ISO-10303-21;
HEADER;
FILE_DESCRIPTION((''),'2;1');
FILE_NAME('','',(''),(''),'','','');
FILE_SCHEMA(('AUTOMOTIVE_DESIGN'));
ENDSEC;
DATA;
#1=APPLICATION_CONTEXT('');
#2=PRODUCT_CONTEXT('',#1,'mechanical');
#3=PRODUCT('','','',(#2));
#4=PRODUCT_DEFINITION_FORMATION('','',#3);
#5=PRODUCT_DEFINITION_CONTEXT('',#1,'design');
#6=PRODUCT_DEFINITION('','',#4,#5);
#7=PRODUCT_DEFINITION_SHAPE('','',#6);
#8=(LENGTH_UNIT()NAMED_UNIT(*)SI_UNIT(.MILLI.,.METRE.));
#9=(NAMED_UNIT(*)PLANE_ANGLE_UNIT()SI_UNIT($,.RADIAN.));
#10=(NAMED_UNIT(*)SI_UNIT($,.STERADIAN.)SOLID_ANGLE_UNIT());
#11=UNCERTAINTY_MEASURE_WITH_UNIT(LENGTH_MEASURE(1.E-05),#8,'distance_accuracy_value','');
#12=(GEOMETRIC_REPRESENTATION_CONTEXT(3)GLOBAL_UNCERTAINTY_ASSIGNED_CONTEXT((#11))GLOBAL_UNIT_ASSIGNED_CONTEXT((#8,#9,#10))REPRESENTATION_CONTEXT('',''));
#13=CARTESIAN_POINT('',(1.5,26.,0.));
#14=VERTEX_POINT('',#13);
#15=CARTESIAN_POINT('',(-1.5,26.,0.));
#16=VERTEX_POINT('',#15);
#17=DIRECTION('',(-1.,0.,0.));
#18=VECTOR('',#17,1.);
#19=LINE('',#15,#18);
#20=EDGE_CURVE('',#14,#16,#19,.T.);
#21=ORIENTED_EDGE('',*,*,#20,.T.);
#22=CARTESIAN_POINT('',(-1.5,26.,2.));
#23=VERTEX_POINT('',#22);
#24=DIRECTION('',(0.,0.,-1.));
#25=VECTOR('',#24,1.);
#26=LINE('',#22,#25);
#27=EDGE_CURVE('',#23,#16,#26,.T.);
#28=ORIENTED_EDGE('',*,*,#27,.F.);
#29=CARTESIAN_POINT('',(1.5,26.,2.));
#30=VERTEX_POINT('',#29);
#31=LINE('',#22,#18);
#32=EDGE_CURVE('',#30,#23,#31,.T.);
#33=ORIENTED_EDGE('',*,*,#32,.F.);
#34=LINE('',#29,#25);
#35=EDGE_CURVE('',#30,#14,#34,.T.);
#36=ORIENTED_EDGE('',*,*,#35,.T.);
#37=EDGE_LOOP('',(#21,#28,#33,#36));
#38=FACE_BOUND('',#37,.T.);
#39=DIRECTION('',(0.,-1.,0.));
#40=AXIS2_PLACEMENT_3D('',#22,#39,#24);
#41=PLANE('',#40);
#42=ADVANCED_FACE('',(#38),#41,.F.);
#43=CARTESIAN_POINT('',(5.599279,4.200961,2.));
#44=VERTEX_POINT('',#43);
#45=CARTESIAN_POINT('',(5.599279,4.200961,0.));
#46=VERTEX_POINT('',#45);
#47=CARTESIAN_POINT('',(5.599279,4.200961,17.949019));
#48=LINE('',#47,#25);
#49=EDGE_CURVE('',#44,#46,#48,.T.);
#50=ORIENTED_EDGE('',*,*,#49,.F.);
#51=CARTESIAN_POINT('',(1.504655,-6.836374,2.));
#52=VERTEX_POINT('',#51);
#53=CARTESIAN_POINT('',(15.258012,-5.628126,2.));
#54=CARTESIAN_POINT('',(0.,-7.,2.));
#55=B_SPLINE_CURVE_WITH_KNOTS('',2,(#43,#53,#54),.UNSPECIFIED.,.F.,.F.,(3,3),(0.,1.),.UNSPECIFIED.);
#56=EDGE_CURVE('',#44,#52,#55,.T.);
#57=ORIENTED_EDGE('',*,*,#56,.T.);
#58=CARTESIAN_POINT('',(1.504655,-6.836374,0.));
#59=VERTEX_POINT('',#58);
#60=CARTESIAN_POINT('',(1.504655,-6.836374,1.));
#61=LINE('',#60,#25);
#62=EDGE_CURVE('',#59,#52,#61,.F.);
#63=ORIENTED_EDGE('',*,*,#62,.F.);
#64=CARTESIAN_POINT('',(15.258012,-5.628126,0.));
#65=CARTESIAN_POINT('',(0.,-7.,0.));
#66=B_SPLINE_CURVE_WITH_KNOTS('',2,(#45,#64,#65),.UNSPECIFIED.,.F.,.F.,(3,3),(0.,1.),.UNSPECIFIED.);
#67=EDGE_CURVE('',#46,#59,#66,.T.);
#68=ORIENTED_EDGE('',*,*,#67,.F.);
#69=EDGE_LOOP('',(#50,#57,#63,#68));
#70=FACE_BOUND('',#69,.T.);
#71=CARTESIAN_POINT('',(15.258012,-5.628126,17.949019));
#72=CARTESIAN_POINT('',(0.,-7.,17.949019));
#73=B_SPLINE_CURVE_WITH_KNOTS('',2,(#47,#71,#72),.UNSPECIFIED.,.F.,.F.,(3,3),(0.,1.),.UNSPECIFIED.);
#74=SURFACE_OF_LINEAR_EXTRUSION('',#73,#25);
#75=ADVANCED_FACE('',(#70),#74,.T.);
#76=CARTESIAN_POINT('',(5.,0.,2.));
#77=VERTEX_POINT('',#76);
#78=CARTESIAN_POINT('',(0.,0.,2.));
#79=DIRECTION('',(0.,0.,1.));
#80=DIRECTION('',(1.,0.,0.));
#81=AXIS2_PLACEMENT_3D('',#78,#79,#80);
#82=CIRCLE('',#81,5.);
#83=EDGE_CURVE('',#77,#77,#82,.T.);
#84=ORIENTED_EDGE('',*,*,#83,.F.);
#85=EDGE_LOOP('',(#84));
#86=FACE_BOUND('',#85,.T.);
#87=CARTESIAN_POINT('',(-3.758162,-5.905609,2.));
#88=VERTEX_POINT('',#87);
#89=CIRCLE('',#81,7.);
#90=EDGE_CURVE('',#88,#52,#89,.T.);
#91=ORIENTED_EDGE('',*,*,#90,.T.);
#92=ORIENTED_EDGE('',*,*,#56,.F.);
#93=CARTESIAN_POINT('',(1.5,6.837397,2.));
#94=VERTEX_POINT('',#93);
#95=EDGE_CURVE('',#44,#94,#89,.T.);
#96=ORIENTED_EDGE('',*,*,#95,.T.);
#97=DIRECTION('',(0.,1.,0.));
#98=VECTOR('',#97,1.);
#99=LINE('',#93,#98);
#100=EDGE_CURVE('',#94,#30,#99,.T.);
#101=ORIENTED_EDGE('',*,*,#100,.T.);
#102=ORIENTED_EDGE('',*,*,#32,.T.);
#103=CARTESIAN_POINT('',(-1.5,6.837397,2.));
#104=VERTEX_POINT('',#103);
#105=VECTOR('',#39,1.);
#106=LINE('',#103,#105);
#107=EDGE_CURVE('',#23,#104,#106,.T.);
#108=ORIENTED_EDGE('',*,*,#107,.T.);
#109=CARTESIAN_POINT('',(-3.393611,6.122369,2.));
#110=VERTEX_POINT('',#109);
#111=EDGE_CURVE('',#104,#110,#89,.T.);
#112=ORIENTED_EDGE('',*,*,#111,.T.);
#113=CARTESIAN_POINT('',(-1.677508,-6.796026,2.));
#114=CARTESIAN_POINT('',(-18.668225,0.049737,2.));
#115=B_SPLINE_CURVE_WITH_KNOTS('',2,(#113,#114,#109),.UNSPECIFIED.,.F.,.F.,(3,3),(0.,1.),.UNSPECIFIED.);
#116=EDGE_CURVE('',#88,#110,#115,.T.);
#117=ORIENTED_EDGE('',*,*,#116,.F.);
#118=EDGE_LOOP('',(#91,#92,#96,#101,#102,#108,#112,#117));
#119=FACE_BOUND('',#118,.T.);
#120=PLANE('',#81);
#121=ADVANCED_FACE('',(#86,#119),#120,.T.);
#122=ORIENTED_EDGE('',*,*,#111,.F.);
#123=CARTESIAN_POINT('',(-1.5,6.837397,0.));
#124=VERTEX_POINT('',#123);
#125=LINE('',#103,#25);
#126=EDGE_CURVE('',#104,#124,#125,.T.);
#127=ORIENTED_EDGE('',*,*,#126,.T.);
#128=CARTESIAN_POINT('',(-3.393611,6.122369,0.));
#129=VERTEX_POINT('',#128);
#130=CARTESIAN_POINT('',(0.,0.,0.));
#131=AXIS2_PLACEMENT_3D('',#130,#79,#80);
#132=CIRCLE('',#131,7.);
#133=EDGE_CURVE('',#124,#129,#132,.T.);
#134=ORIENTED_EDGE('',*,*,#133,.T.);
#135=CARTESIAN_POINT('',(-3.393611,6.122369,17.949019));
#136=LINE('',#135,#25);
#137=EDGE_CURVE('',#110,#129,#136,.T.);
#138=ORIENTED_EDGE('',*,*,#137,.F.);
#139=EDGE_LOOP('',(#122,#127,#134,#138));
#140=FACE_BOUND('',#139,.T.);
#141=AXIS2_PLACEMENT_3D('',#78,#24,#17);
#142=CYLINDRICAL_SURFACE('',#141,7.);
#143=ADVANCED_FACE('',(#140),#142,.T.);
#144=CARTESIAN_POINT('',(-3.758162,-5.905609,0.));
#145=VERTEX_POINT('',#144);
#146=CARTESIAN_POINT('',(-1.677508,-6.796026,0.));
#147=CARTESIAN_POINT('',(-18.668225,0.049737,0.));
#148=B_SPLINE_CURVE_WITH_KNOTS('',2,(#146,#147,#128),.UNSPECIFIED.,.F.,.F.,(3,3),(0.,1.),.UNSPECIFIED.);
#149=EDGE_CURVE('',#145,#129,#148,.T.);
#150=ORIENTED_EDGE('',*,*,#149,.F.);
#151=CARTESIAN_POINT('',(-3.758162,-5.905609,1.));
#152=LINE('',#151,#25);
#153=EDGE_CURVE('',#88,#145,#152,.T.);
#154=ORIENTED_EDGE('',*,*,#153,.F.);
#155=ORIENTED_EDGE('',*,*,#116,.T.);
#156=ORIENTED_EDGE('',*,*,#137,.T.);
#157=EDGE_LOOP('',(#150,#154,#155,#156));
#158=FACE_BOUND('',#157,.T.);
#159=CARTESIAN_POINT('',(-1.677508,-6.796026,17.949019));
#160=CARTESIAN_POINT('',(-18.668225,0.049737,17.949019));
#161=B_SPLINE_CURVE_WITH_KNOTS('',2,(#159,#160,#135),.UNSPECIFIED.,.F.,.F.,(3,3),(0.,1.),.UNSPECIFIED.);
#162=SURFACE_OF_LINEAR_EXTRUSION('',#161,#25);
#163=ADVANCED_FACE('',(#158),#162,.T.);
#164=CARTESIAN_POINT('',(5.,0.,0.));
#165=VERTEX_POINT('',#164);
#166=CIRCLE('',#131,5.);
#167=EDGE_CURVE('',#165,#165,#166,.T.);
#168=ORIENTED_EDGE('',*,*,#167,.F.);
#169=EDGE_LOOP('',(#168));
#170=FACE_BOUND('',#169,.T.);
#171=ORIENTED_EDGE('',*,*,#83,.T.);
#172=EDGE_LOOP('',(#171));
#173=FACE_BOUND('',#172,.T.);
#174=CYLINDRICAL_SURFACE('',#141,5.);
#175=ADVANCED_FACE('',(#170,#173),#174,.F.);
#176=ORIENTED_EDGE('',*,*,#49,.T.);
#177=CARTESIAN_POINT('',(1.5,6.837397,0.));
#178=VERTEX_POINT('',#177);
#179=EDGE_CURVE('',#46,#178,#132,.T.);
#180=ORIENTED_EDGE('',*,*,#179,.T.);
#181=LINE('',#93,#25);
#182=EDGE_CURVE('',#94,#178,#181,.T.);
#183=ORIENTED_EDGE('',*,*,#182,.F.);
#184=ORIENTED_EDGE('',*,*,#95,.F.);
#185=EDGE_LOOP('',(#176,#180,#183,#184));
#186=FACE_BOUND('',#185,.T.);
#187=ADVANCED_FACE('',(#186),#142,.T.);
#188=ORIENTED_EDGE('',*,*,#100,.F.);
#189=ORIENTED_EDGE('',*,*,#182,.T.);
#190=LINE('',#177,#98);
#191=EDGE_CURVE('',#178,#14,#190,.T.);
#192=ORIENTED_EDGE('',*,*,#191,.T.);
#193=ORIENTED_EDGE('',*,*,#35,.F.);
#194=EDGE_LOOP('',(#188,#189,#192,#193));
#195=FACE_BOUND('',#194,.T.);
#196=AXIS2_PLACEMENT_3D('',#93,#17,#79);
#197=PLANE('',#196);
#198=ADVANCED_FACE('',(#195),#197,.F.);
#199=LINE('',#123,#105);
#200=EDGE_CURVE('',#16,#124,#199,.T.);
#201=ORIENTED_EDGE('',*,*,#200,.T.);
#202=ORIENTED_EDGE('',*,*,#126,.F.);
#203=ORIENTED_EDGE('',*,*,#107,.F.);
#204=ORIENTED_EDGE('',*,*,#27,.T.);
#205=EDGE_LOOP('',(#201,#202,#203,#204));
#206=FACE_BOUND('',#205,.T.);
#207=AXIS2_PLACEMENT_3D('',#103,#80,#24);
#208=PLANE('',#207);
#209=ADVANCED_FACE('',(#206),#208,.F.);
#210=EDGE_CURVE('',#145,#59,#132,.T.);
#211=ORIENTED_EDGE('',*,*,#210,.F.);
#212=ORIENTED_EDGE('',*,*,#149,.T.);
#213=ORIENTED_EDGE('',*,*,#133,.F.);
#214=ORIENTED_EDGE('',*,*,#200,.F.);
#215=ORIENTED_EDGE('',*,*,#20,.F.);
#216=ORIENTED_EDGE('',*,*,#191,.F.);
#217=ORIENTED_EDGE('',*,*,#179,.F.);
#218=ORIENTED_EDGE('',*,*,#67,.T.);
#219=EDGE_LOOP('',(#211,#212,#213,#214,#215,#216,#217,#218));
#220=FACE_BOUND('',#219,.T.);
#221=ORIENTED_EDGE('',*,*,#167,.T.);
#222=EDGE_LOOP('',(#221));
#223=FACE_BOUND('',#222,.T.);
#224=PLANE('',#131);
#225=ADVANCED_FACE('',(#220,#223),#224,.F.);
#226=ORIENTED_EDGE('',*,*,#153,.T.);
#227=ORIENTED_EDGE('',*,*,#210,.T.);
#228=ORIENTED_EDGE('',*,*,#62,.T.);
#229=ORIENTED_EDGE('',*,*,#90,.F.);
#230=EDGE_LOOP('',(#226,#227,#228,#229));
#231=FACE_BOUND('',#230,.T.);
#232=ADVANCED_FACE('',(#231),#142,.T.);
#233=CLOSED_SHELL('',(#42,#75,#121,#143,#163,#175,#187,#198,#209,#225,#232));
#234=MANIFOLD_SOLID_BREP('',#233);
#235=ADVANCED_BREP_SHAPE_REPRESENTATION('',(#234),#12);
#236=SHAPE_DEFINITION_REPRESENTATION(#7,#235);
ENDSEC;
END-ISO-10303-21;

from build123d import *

# Parameters (mm, degrees)
SKETCH1_R           = 5
BOSS_EXTRUDE1_DEPTH = 2
BOSS_EXTRUDE2_DEPTH = 2


with BuildPart() as part:
    # Sketch1 → Boss-Extrude1 (new body)
    with BuildSketch(Plane.XY):
        with BuildLine():
            Line((-1.5, 6.837397166), (-1.5, 26))
            Line((-1.5, 26), (1.5, 26))
            Line((1.5, 26), (1.5, 6.837397166))
            ThreePointArc((1.5, 6.837397166), (0, -7), (-1.5, 6.837397166))
        make_face()
        Circle(SKETCH1_R, mode=Mode.SUBTRACT)
    extrude(amount=BOSS_EXTRUDE1_DEPTH)

    # Sketch2 → Boss-Extrude2 (add)
    with BuildSketch(Plane(origin=(0, 0, 0), x_dir=(-1, 0, 0), z_dir=(0, 0, -1))):
        with BuildLine():
            add(Edge.make_bspline(
                [(-5.599278763, 4.200961478), (-15.258011941, -5.628125959), (0, -7)],
                knots=[0, 0, 0, 1, 1, 1], degree=2))
            add(Edge.make_bspline(
                [(-5.599278763, 4.200961478), (-7.981604162, -4.535813919), (0, -7)],
                knots=[0, 0, 0, 1, 1, 1], degree=2))
        make_face()
        with BuildLine():
            add(Edge.make_bspline(
                [(3.393610887, 6.122369243), (18.668225354, 0.049737096), (1.677508496, -6.796025695)],
                knots=[0, 0, 0, 1, 1, 1], degree=2))
            add(Edge.make_bspline(
                [(3.393610887, 6.122369243), (10.124192035, -1.414312589), (1.677508496, -6.796025695)],
                knots=[0, 0, 0, 1, 1, 1], degree=2))
        make_face()
    extrude(amount=-BOSS_EXTRUDE2_DEPTH)


solid = part.part
